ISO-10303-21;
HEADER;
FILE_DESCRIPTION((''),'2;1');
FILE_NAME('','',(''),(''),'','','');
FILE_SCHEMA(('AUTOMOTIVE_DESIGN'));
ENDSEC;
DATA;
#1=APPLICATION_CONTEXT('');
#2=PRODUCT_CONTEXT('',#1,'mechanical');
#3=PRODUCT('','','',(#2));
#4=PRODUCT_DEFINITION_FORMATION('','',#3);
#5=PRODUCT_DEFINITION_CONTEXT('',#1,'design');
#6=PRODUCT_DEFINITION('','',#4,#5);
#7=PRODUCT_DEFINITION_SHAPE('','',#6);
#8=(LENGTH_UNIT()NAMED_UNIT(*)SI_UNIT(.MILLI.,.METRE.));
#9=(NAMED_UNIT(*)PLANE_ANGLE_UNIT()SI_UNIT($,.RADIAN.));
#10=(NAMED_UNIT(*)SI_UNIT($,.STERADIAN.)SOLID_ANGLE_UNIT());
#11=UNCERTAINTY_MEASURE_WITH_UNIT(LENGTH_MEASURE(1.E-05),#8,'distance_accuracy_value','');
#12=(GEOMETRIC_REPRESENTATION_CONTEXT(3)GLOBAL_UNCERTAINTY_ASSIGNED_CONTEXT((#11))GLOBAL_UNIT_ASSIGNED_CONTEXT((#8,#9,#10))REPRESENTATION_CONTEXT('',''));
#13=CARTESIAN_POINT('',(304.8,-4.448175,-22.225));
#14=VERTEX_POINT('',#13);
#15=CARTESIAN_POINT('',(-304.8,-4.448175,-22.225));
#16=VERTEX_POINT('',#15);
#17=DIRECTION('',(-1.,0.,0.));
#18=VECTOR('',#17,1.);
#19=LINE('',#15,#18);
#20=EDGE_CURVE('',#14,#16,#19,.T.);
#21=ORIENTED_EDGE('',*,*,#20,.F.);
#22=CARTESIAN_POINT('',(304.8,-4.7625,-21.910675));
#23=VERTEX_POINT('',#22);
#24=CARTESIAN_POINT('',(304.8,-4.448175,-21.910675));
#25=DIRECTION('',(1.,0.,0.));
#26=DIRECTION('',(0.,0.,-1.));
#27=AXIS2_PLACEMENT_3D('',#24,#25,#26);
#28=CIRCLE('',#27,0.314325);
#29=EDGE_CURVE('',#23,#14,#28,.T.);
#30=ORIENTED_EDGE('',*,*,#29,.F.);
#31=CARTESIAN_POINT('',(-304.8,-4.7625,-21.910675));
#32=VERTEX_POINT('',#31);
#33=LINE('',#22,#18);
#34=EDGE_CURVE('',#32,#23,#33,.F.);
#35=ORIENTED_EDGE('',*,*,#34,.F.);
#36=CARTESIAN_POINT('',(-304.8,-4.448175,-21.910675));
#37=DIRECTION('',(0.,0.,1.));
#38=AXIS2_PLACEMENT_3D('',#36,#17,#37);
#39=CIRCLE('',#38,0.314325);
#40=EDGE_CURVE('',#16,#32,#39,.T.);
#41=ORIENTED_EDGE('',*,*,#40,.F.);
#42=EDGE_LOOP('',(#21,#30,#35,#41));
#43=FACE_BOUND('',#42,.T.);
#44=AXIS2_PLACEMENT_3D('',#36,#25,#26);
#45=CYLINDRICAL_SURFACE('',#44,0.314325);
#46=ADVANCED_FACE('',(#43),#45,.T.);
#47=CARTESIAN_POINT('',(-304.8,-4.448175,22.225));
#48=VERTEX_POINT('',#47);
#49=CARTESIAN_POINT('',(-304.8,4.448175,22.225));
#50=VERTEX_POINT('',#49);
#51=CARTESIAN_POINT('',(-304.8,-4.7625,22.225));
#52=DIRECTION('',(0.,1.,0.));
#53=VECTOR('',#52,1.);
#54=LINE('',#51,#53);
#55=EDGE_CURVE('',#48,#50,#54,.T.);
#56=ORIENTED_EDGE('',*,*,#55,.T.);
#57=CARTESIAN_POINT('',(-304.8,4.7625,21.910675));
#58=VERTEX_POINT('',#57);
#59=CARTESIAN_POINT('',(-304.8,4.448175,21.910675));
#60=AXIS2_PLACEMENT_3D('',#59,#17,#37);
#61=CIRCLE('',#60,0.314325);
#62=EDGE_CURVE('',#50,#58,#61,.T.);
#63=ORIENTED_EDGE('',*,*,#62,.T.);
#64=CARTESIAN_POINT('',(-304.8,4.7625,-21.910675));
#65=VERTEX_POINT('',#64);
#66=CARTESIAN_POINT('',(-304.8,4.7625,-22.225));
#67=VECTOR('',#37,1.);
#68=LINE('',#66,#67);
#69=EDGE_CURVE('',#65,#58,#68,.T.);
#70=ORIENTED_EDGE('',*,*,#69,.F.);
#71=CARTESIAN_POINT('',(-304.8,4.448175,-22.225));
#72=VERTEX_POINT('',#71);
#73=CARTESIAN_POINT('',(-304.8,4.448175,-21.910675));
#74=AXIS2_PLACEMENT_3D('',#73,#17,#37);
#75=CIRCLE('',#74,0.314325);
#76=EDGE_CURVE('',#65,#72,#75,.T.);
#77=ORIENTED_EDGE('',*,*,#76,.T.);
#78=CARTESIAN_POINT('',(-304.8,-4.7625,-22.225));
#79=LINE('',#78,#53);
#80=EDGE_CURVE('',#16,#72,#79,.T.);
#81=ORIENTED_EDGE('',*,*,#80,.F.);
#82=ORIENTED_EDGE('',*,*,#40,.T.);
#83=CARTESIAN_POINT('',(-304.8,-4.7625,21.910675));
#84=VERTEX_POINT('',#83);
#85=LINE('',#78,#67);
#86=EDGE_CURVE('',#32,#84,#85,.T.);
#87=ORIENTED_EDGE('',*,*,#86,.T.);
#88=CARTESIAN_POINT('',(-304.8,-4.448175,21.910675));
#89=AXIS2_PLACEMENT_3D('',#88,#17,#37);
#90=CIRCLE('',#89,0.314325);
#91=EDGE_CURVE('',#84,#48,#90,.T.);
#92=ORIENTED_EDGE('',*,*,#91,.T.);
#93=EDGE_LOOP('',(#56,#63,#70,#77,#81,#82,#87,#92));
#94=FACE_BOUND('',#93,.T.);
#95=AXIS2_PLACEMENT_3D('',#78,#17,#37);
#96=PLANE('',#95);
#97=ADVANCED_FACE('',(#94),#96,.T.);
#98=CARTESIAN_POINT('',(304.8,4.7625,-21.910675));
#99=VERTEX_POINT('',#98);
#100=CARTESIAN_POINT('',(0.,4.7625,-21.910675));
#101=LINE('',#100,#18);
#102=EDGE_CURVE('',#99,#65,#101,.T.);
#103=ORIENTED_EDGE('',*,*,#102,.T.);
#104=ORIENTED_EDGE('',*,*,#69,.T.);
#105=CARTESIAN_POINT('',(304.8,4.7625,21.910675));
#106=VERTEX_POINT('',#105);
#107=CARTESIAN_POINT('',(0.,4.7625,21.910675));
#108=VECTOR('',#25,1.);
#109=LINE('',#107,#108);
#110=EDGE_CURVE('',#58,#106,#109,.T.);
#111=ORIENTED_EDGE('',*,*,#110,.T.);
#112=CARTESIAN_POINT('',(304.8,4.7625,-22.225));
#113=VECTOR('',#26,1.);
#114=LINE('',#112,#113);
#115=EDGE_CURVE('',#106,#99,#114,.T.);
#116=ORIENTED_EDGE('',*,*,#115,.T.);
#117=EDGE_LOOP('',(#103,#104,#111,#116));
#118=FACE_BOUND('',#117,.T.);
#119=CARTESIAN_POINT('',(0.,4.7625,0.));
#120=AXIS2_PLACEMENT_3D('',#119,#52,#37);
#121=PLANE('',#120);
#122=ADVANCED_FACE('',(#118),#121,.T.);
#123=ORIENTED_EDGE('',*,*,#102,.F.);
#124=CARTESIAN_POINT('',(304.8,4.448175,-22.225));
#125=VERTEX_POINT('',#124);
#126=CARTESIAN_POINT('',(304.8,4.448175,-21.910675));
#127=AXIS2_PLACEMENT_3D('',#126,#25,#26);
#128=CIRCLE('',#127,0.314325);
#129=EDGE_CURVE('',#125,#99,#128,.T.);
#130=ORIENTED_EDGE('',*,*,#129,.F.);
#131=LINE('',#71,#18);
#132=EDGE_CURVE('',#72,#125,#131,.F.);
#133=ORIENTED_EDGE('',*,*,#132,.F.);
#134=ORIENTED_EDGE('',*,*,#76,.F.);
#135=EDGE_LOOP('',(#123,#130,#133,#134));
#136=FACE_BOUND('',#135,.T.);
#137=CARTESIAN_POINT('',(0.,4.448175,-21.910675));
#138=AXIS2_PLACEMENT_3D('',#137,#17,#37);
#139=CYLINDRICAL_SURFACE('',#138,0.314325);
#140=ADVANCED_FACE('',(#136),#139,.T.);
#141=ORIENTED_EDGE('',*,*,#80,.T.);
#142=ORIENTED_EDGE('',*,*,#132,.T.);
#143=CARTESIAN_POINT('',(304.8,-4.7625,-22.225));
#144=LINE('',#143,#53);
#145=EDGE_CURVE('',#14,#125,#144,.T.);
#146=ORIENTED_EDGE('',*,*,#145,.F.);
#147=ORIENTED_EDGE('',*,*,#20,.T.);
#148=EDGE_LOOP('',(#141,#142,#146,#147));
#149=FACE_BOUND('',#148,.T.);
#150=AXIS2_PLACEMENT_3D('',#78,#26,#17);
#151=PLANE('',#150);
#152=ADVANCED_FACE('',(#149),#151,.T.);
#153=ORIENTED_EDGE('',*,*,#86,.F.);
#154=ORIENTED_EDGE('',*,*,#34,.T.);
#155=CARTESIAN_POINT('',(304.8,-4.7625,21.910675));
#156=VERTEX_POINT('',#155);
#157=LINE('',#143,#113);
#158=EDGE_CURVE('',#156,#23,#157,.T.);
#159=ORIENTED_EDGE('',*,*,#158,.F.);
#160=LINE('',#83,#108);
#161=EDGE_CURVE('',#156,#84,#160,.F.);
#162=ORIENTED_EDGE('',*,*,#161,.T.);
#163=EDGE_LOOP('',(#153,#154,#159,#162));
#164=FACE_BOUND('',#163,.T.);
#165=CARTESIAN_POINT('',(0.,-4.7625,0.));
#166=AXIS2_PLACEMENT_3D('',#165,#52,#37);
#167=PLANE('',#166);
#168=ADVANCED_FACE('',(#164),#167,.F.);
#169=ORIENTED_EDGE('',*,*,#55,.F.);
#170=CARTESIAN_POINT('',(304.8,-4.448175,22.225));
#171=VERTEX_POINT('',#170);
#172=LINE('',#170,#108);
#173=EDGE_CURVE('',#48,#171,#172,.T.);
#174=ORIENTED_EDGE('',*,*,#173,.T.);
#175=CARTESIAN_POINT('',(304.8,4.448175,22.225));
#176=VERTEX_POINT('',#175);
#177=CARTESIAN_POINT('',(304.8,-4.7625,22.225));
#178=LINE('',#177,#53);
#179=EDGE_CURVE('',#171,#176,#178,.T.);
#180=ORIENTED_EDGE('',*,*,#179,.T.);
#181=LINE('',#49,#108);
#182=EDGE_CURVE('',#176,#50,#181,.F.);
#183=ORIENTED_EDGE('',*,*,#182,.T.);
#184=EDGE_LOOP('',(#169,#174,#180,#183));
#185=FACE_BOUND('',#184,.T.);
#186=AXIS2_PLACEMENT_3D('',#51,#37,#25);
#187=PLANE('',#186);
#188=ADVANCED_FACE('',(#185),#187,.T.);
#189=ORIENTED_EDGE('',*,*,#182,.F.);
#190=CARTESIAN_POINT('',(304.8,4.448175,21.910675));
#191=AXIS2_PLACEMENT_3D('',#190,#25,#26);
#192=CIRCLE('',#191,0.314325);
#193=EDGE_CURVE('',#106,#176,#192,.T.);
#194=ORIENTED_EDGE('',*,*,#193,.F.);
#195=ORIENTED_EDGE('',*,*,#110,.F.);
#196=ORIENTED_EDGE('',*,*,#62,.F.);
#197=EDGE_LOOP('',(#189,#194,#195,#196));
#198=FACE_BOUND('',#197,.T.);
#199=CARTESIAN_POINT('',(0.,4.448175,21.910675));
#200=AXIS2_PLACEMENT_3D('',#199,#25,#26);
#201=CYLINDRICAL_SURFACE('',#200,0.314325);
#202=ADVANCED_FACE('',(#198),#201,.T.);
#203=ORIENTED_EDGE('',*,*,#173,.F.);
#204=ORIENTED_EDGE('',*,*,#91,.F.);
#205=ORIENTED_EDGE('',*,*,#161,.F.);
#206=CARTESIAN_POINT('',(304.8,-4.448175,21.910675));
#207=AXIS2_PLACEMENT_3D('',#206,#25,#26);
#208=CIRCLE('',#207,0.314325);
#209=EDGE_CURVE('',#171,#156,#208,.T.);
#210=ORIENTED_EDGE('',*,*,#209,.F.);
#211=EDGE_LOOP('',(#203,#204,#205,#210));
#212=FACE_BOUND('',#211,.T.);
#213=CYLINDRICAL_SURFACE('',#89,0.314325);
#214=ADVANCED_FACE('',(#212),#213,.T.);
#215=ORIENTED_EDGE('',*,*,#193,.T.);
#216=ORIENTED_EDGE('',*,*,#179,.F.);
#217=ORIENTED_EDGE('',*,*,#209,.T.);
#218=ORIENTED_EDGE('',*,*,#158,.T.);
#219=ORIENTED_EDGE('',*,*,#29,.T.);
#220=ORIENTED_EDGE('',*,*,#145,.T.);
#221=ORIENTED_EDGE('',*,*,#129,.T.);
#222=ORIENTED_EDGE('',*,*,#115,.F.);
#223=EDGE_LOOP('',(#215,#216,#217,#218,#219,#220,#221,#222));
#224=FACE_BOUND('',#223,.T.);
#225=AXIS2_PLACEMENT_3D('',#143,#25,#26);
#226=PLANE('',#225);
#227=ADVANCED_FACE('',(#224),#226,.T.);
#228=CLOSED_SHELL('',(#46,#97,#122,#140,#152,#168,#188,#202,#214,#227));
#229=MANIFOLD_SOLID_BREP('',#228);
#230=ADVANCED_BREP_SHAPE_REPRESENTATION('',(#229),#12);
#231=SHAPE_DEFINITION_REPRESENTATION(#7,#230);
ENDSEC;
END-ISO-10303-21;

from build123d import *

# Parameters (mm, degrees)
BOSS_EXTRUDE1_DEPTH      = 4.7625
BOSS_EXTRUDE1_DEPTH_BACK = 4.7625
SKETCH3_W                = 609.6
SKETCH3_H                = 44.45
FILLET1_R                = 0.314325


with BuildPart() as part:
    # Sketch3 → Boss-Extrude1 (new, two sides: drawn at the far end of the back side and taken through both)
    with BuildSketch(Plane(origin=(0, 0, 0), x_dir=(1, 0, 0), z_dir=(0, 1, 0)).offset(-BOSS_EXTRUDE1_DEPTH_BACK)):
        Rectangle(SKETCH3_W, SKETCH3_H)
    extrude(amount=BOSS_EXTRUDE1_DEPTH + BOSS_EXTRUDE1_DEPTH_BACK)

    # Fillet1
    fillet1_edges = [part.edges().sort_by_distance(p)[0] for p in [
        (0, 4.7625, 22.225),
        (0, -4.7625, -22.225),
        (0, 4.7625, -22.225),
        (0, -4.7625, 22.225),
    ]]
    fillet(fillet1_edges, radius=FILLET1_R)


solid = part.part
